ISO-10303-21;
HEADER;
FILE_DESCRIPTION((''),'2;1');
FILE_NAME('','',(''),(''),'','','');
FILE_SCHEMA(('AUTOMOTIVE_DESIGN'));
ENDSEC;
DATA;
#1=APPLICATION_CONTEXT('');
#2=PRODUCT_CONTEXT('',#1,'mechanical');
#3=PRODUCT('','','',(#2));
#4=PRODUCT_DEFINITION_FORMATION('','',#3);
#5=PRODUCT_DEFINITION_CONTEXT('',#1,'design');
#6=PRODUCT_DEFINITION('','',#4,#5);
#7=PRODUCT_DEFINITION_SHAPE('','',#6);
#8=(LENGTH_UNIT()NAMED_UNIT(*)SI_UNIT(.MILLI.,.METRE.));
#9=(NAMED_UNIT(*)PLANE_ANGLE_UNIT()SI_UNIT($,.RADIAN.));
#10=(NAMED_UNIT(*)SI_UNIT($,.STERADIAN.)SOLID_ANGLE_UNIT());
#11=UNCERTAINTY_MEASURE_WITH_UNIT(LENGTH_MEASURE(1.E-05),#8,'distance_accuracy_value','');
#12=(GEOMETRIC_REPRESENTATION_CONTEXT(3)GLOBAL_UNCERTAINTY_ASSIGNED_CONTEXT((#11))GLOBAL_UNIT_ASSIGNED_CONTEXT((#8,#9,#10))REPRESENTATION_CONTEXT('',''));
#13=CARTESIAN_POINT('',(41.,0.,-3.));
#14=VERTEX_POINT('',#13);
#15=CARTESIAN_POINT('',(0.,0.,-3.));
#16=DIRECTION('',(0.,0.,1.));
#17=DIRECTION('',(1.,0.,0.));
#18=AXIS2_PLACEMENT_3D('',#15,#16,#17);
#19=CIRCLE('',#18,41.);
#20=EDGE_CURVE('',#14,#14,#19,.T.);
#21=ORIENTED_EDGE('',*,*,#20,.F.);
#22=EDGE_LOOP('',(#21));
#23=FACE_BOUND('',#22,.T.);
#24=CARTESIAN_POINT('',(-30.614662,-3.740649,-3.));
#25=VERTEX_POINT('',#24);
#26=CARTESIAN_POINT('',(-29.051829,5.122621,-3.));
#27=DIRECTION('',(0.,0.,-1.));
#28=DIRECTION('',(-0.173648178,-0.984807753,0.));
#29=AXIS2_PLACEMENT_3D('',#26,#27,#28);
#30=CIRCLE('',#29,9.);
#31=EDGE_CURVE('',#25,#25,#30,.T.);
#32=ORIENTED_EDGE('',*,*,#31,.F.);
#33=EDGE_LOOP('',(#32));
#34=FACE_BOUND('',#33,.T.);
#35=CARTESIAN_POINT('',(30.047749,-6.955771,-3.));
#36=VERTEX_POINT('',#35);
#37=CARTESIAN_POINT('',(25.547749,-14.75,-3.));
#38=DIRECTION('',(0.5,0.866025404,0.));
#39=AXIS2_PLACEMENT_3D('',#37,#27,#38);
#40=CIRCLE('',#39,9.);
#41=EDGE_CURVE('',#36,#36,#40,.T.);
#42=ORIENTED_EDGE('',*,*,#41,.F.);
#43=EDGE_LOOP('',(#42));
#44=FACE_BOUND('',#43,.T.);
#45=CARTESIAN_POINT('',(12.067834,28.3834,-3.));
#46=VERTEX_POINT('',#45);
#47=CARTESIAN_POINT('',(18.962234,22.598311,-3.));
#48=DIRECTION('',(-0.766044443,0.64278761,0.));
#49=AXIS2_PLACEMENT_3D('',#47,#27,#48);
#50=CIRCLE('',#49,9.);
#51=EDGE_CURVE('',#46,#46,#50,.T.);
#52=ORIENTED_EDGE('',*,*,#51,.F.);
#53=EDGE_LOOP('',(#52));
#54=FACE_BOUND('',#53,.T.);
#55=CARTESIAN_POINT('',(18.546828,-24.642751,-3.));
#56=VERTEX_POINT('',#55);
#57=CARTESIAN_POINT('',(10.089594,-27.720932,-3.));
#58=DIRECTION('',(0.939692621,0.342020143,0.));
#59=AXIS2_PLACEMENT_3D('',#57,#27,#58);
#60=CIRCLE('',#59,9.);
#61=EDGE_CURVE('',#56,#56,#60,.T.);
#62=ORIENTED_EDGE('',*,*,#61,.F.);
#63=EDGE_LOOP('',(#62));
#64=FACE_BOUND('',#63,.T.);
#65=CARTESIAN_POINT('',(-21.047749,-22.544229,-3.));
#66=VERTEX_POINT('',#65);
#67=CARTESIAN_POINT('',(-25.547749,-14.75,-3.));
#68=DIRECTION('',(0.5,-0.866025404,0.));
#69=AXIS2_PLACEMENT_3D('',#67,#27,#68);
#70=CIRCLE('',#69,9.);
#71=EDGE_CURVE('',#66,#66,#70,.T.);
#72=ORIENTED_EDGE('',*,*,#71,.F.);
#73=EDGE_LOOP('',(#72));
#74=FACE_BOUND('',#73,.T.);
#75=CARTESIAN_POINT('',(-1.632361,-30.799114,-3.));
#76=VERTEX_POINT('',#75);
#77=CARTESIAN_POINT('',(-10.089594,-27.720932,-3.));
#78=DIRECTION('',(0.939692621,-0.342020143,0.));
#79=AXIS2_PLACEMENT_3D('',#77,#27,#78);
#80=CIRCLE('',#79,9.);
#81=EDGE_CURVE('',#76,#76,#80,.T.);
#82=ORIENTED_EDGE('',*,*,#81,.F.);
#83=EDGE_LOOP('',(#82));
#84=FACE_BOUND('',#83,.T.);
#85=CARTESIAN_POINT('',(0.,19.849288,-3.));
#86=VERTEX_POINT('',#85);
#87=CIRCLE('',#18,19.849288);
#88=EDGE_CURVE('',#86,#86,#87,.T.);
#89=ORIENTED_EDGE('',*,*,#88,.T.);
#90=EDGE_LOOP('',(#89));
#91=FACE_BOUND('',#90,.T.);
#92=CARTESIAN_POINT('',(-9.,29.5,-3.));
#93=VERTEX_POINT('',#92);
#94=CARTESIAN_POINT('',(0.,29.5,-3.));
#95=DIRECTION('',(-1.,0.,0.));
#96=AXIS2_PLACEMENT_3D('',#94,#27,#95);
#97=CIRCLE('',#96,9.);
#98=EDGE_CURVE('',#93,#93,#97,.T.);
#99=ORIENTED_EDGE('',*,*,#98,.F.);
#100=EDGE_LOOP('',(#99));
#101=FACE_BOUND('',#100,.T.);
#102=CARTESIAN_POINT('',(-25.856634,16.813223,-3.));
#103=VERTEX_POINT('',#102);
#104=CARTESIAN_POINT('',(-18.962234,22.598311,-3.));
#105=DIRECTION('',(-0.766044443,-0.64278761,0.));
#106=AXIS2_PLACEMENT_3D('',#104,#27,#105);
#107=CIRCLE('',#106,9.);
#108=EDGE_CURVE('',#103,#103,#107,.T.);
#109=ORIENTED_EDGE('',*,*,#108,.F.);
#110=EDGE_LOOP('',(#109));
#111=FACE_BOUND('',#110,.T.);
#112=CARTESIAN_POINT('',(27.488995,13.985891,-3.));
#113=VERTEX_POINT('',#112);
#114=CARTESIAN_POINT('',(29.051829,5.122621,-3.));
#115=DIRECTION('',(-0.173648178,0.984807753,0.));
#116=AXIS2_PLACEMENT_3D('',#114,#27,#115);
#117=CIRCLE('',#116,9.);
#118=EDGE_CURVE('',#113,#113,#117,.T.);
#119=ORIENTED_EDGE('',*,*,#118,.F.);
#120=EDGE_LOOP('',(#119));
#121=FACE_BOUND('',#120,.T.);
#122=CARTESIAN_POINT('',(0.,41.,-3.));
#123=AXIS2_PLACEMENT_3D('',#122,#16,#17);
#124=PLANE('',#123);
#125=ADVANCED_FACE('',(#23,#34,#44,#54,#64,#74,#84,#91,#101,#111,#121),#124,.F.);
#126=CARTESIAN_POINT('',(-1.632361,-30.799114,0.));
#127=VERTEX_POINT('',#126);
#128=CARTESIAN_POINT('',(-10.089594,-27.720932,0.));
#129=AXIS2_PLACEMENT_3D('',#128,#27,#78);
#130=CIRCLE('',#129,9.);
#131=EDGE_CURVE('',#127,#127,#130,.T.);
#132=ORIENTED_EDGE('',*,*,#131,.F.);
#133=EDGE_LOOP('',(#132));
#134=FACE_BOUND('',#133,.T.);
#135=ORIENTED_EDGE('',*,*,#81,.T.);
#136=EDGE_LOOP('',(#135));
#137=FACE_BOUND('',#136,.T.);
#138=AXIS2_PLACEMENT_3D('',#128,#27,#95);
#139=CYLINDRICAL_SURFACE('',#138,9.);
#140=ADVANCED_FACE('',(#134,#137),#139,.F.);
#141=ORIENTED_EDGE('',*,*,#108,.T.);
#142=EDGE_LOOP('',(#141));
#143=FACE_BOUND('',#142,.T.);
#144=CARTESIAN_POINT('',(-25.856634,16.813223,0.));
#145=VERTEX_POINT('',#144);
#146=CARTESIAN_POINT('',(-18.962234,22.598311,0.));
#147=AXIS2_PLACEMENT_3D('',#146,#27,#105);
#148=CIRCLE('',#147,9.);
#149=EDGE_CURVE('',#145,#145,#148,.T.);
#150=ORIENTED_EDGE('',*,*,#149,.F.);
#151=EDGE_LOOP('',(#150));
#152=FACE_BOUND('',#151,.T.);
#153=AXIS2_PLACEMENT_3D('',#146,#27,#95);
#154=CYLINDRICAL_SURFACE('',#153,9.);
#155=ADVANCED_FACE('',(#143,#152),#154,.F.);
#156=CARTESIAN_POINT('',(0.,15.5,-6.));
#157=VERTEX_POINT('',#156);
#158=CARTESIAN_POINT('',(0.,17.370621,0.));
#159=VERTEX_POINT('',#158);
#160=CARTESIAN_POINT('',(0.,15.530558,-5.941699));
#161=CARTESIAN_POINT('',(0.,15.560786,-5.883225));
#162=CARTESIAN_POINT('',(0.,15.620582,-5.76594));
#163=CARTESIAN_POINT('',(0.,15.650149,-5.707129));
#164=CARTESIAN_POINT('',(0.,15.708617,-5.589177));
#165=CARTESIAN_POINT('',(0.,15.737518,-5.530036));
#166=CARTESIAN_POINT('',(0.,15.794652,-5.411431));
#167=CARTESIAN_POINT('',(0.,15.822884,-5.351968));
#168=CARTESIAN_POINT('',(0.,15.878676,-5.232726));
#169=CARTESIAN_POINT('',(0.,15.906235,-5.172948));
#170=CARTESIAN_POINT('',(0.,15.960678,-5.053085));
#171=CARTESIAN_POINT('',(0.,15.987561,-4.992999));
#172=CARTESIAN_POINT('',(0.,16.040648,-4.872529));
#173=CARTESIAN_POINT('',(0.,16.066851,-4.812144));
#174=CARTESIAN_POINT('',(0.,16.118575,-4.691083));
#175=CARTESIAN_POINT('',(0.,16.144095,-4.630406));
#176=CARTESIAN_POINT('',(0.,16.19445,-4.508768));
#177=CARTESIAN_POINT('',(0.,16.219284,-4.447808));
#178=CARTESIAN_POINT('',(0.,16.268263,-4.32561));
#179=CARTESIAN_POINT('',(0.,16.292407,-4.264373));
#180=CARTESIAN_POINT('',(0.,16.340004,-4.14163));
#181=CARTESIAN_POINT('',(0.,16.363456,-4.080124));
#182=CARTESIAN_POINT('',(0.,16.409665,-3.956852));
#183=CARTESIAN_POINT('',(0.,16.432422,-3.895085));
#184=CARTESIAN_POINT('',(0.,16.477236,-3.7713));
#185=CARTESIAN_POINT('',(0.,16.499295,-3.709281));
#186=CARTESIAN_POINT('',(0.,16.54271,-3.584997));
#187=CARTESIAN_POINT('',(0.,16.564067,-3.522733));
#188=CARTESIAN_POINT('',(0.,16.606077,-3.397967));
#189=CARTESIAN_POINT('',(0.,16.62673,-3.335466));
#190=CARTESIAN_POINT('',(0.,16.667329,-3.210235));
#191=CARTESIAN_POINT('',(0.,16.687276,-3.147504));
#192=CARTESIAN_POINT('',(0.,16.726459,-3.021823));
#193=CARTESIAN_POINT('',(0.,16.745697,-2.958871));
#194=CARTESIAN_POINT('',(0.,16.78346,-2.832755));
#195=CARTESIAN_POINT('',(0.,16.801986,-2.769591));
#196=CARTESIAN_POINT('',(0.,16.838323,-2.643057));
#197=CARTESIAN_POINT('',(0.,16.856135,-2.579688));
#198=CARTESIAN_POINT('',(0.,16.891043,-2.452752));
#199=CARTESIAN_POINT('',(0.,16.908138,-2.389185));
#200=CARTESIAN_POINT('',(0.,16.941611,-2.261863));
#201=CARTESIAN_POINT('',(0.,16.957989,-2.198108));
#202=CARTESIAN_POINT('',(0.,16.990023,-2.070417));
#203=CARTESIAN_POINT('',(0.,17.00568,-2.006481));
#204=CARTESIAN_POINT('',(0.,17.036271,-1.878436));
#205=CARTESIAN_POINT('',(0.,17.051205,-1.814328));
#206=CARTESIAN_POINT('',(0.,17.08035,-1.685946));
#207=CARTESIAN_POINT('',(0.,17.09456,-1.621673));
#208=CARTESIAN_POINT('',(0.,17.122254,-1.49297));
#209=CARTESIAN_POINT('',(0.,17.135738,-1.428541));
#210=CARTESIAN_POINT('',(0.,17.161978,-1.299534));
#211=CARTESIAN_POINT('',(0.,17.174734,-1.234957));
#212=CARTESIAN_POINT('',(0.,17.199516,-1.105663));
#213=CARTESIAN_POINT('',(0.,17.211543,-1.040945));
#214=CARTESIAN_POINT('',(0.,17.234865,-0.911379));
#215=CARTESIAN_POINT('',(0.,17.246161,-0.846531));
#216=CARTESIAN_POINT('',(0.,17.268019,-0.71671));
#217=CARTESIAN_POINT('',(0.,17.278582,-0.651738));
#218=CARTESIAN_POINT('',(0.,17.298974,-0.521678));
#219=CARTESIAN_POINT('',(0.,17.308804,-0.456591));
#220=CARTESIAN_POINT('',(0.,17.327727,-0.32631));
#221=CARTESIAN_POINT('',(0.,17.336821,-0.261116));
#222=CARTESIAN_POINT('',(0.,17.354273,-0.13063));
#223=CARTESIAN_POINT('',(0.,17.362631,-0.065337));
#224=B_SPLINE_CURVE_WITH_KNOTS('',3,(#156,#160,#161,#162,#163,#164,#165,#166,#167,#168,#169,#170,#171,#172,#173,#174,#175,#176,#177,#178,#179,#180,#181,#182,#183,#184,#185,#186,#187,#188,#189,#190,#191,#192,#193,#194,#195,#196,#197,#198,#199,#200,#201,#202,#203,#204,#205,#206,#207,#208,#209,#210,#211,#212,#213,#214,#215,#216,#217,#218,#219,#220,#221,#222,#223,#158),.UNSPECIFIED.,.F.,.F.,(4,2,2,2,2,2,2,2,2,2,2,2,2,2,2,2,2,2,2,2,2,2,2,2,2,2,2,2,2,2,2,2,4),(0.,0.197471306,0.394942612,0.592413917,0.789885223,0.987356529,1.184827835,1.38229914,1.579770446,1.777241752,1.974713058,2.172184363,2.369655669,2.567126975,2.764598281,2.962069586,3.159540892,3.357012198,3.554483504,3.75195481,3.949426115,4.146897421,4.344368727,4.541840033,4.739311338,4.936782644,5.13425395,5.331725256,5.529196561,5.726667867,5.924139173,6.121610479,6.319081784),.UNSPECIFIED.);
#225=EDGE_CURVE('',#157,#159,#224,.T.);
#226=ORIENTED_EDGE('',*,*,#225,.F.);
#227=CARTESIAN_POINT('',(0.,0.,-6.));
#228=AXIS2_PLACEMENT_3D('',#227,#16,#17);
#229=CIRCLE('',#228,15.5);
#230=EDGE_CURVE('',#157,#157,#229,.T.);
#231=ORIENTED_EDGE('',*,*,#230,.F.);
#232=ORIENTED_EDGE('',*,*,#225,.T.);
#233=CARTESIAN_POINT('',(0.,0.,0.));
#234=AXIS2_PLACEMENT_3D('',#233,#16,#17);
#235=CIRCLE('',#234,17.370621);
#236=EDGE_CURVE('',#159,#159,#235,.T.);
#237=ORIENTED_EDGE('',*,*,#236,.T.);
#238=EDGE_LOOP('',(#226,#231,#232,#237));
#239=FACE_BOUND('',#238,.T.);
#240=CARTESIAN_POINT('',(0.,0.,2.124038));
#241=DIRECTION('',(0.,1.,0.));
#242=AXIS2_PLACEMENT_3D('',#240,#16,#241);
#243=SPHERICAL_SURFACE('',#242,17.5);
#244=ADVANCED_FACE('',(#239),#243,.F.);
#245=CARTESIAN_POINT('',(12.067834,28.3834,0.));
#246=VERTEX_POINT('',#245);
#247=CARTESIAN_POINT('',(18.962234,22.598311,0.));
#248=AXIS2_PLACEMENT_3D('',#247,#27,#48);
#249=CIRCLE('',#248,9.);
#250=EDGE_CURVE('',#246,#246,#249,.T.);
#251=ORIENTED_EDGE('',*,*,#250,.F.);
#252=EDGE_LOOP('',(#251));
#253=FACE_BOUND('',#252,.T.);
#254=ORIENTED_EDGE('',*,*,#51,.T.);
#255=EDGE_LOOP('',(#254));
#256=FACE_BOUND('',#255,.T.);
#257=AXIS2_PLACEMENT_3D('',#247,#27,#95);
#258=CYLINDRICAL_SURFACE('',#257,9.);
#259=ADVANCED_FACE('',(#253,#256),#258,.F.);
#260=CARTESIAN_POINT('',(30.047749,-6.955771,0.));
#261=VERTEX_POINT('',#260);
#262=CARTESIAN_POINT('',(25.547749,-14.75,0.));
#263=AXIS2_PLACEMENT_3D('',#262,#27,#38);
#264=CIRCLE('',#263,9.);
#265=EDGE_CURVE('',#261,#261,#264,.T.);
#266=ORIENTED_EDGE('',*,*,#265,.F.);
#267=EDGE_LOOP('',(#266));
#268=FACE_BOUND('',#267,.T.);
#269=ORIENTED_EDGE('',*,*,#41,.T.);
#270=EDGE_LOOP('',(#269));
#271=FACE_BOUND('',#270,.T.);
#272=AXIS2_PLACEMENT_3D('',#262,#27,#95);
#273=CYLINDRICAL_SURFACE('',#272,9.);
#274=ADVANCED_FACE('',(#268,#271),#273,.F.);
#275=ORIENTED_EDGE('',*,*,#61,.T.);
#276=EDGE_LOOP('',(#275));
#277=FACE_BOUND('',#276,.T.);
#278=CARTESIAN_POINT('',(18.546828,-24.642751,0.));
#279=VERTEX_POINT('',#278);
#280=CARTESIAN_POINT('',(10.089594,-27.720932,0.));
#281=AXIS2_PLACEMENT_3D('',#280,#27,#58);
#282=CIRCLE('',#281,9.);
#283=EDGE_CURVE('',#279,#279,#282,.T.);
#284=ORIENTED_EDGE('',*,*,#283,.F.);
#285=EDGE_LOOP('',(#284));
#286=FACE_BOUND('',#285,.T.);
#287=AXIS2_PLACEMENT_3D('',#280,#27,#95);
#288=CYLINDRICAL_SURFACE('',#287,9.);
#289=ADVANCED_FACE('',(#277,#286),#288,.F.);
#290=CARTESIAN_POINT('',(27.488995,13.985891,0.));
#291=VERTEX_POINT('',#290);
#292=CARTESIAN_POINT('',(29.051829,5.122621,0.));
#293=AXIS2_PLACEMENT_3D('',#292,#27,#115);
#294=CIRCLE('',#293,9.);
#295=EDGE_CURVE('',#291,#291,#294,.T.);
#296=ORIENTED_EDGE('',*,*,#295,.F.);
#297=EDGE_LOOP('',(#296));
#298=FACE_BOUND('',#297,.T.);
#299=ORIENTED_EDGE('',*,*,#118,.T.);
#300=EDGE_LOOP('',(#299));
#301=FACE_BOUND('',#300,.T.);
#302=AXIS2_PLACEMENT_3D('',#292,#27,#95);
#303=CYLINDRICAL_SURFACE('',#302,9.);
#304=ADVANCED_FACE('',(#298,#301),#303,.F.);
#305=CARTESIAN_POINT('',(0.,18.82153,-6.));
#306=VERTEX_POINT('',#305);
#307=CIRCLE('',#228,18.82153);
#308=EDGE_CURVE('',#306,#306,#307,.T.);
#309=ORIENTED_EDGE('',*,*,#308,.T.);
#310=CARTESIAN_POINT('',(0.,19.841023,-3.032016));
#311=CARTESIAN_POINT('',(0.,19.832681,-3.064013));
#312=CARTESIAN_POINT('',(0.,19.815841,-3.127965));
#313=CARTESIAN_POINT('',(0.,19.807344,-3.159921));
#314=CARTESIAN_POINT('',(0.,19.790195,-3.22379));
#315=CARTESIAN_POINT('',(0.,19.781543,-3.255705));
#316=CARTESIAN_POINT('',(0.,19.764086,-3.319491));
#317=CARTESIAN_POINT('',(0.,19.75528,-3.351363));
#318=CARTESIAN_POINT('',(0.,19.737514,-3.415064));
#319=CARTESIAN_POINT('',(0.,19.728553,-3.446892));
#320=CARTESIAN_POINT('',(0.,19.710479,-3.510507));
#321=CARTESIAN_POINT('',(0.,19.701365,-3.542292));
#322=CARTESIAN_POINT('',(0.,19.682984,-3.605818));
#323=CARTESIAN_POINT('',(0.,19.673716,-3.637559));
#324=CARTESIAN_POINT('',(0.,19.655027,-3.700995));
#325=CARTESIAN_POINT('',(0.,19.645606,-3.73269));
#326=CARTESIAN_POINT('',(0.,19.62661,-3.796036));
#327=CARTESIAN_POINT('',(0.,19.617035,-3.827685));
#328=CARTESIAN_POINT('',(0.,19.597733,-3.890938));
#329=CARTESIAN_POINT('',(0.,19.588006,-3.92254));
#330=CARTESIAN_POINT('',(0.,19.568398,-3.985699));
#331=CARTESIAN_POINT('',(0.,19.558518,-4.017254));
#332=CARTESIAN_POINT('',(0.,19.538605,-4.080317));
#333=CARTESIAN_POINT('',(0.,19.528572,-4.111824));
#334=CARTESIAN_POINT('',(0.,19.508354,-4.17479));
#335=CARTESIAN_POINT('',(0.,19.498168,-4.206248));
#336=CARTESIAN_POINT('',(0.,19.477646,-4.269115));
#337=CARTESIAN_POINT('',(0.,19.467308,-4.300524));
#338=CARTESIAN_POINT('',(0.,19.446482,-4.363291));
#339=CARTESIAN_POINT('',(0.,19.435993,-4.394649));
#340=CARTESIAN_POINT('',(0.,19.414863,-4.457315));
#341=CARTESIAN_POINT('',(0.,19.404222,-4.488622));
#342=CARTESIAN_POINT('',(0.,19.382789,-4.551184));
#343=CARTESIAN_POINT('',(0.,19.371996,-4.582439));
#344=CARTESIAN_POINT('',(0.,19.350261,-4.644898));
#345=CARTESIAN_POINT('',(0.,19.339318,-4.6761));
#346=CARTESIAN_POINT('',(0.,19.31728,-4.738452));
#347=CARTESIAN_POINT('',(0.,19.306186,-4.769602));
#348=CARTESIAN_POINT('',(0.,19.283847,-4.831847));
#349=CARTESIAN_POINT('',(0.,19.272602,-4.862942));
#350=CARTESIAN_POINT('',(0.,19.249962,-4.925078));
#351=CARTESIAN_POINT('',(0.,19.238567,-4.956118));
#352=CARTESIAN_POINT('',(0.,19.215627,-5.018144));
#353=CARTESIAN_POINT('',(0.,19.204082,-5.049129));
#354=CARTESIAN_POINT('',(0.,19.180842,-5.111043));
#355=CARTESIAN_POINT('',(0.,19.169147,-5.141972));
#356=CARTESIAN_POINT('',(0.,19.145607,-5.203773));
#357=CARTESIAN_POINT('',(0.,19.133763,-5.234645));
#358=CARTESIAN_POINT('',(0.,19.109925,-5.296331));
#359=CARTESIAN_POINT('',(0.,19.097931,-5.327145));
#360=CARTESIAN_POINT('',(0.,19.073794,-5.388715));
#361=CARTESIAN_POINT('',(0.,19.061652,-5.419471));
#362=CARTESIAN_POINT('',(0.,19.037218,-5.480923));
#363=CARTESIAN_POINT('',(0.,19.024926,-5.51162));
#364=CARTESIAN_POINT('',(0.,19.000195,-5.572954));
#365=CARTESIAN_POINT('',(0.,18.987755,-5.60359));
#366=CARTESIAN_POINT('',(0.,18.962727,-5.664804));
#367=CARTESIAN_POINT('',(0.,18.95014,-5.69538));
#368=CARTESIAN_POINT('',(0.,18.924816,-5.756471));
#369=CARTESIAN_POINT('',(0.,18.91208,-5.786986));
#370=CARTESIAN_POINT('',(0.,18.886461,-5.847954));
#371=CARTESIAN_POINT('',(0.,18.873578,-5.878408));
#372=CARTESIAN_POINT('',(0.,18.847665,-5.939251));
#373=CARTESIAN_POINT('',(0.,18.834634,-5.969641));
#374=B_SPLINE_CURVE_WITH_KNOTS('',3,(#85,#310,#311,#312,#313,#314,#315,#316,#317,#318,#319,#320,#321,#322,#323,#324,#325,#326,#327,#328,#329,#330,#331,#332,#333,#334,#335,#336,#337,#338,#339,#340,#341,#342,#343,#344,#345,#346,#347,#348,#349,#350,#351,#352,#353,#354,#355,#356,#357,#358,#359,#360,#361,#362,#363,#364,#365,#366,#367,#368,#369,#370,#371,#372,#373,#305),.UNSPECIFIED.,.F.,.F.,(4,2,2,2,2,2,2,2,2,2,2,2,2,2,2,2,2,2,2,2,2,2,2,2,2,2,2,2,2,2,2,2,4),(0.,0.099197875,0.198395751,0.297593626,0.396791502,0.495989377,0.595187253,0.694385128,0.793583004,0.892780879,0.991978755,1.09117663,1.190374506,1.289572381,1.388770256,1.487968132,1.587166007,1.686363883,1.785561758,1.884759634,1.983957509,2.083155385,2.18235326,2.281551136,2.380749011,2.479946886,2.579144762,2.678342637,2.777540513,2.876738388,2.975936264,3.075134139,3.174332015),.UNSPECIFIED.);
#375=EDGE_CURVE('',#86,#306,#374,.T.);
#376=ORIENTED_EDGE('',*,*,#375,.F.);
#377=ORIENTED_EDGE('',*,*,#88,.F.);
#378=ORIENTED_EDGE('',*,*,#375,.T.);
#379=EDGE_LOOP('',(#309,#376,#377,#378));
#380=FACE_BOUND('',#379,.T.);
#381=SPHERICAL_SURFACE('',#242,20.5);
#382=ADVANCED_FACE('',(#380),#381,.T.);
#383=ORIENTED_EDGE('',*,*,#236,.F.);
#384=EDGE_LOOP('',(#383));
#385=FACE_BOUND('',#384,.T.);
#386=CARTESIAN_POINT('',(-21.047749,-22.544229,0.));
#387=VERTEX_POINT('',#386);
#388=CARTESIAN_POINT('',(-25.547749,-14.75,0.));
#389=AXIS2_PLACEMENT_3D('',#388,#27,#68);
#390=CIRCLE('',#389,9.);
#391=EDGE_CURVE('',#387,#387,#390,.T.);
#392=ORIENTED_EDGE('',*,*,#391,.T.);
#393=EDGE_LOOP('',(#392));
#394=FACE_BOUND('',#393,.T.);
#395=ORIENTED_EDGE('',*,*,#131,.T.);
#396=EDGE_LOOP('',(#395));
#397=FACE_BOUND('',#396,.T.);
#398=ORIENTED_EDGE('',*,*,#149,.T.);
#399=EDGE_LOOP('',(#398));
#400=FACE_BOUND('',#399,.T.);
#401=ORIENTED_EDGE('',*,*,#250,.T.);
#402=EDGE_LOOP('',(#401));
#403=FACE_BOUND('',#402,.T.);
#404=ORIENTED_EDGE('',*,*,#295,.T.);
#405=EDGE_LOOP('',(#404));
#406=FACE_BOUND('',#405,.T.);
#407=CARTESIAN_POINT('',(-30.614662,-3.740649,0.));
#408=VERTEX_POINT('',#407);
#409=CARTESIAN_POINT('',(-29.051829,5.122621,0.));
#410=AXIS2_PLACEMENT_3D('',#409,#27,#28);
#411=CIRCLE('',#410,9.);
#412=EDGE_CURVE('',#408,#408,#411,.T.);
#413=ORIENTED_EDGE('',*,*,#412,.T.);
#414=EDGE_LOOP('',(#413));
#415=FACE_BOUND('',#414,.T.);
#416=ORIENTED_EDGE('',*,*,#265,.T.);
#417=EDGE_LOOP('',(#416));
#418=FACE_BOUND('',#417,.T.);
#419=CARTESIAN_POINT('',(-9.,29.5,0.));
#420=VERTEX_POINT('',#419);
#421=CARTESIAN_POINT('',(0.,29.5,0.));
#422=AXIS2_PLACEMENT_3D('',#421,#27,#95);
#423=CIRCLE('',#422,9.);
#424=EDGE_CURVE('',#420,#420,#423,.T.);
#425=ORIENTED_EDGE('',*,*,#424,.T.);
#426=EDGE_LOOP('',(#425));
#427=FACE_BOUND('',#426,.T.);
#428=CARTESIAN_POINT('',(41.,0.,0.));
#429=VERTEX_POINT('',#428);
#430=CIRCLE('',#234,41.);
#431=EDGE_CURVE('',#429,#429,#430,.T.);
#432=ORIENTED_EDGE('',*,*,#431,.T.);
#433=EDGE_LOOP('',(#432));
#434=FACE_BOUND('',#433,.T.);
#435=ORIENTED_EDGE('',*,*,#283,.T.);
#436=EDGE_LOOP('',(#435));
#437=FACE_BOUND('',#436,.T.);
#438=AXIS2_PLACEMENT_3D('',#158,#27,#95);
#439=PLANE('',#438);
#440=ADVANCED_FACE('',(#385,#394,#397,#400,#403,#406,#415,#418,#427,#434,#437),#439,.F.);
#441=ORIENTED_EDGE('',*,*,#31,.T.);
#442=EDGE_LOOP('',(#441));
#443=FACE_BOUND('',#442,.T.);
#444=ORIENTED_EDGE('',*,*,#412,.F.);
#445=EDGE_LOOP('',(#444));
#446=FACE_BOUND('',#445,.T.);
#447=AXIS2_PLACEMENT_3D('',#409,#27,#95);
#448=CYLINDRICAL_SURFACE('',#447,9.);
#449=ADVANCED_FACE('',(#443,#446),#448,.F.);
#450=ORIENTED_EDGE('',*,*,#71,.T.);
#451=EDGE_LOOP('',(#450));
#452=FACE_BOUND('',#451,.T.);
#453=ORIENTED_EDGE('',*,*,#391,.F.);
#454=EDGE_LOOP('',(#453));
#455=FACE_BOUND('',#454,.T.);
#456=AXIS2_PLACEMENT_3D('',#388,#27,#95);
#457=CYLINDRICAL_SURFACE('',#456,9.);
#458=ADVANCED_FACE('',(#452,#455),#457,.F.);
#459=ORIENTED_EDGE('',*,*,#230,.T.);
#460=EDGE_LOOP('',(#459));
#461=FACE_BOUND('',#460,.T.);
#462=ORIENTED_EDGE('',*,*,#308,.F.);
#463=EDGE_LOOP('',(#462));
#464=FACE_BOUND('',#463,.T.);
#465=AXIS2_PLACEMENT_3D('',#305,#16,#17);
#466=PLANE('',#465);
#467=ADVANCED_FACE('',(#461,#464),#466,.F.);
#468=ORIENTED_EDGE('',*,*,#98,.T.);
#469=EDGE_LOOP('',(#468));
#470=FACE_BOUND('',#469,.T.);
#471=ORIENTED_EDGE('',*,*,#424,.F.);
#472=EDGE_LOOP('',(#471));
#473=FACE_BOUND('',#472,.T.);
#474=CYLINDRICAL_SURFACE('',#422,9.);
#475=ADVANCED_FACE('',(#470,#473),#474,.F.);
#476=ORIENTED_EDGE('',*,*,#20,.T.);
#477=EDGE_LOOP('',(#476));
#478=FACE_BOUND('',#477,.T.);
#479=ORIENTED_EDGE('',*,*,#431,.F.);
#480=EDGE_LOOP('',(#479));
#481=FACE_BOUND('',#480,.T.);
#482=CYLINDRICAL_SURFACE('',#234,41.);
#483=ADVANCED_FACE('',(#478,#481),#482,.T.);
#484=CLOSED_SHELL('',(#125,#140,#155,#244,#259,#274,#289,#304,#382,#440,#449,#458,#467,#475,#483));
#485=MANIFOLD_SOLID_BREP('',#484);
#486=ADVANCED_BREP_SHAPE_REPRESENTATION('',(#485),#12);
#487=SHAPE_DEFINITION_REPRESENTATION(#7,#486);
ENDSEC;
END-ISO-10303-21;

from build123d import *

# Parameters (mm, degrees)
SKETCH_5_R               = 9
CUT_EXTRUDE_1_DEPTH      = 59.060313468
PATTERN_CIRCULAR_1_COUNT = 9


with BuildPart() as part:
    # 草图4 → 旋转1 (revolve)
    with BuildSketch(Plane(origin=(0, 0, 0), x_dir=(0, 0, -1), z_dir=(1, 0, 0))):
        with BuildLine():
            Line((0, 17.370620624), (0, 41))
            Line((0, 41), (3, 41))
            Line((3, 41), (3, 19.849287907))
            ThreePointArc((3, 19.849287907), (4.519902914, 19.393505195), (6, 18.821530225))
            Line((6, 18.821530225), (6, 15.5))
            ThreePointArc((6, 15.5), (3.084663444, 16.706867601), (0, 17.370620624))
        make_face()
    revolve(axis=Axis((0, 0, 0), (0, 0, -1)))

    # 草图5 → 切除-拉伸1 (cut, through all)
    with BuildSketch(Plane(origin=(0, 0, -3), x_dir=(-1, 0, 0), z_dir=(0, 0, -1))):
        with Locations((0, 29.5)):
            Circle(SKETCH_5_R)
    cut_extrude_1 = extrude(amount=-CUT_EXTRUDE_1_DEPTH, mode=Mode.SUBTRACT)

    # 阵列(圆周)1: 切除-拉伸1 ×9 about axis
    pattern_circular_1_axis = Axis((0, 0, 0), (0, 0, 1))
    for i in range(1, PATTERN_CIRCULAR_1_COUNT):
        add(cut_extrude_1.rotate(pattern_circular_1_axis, i * 360 / PATTERN_CIRCULAR_1_COUNT), mode=Mode.SUBTRACT)


solid = part.part
